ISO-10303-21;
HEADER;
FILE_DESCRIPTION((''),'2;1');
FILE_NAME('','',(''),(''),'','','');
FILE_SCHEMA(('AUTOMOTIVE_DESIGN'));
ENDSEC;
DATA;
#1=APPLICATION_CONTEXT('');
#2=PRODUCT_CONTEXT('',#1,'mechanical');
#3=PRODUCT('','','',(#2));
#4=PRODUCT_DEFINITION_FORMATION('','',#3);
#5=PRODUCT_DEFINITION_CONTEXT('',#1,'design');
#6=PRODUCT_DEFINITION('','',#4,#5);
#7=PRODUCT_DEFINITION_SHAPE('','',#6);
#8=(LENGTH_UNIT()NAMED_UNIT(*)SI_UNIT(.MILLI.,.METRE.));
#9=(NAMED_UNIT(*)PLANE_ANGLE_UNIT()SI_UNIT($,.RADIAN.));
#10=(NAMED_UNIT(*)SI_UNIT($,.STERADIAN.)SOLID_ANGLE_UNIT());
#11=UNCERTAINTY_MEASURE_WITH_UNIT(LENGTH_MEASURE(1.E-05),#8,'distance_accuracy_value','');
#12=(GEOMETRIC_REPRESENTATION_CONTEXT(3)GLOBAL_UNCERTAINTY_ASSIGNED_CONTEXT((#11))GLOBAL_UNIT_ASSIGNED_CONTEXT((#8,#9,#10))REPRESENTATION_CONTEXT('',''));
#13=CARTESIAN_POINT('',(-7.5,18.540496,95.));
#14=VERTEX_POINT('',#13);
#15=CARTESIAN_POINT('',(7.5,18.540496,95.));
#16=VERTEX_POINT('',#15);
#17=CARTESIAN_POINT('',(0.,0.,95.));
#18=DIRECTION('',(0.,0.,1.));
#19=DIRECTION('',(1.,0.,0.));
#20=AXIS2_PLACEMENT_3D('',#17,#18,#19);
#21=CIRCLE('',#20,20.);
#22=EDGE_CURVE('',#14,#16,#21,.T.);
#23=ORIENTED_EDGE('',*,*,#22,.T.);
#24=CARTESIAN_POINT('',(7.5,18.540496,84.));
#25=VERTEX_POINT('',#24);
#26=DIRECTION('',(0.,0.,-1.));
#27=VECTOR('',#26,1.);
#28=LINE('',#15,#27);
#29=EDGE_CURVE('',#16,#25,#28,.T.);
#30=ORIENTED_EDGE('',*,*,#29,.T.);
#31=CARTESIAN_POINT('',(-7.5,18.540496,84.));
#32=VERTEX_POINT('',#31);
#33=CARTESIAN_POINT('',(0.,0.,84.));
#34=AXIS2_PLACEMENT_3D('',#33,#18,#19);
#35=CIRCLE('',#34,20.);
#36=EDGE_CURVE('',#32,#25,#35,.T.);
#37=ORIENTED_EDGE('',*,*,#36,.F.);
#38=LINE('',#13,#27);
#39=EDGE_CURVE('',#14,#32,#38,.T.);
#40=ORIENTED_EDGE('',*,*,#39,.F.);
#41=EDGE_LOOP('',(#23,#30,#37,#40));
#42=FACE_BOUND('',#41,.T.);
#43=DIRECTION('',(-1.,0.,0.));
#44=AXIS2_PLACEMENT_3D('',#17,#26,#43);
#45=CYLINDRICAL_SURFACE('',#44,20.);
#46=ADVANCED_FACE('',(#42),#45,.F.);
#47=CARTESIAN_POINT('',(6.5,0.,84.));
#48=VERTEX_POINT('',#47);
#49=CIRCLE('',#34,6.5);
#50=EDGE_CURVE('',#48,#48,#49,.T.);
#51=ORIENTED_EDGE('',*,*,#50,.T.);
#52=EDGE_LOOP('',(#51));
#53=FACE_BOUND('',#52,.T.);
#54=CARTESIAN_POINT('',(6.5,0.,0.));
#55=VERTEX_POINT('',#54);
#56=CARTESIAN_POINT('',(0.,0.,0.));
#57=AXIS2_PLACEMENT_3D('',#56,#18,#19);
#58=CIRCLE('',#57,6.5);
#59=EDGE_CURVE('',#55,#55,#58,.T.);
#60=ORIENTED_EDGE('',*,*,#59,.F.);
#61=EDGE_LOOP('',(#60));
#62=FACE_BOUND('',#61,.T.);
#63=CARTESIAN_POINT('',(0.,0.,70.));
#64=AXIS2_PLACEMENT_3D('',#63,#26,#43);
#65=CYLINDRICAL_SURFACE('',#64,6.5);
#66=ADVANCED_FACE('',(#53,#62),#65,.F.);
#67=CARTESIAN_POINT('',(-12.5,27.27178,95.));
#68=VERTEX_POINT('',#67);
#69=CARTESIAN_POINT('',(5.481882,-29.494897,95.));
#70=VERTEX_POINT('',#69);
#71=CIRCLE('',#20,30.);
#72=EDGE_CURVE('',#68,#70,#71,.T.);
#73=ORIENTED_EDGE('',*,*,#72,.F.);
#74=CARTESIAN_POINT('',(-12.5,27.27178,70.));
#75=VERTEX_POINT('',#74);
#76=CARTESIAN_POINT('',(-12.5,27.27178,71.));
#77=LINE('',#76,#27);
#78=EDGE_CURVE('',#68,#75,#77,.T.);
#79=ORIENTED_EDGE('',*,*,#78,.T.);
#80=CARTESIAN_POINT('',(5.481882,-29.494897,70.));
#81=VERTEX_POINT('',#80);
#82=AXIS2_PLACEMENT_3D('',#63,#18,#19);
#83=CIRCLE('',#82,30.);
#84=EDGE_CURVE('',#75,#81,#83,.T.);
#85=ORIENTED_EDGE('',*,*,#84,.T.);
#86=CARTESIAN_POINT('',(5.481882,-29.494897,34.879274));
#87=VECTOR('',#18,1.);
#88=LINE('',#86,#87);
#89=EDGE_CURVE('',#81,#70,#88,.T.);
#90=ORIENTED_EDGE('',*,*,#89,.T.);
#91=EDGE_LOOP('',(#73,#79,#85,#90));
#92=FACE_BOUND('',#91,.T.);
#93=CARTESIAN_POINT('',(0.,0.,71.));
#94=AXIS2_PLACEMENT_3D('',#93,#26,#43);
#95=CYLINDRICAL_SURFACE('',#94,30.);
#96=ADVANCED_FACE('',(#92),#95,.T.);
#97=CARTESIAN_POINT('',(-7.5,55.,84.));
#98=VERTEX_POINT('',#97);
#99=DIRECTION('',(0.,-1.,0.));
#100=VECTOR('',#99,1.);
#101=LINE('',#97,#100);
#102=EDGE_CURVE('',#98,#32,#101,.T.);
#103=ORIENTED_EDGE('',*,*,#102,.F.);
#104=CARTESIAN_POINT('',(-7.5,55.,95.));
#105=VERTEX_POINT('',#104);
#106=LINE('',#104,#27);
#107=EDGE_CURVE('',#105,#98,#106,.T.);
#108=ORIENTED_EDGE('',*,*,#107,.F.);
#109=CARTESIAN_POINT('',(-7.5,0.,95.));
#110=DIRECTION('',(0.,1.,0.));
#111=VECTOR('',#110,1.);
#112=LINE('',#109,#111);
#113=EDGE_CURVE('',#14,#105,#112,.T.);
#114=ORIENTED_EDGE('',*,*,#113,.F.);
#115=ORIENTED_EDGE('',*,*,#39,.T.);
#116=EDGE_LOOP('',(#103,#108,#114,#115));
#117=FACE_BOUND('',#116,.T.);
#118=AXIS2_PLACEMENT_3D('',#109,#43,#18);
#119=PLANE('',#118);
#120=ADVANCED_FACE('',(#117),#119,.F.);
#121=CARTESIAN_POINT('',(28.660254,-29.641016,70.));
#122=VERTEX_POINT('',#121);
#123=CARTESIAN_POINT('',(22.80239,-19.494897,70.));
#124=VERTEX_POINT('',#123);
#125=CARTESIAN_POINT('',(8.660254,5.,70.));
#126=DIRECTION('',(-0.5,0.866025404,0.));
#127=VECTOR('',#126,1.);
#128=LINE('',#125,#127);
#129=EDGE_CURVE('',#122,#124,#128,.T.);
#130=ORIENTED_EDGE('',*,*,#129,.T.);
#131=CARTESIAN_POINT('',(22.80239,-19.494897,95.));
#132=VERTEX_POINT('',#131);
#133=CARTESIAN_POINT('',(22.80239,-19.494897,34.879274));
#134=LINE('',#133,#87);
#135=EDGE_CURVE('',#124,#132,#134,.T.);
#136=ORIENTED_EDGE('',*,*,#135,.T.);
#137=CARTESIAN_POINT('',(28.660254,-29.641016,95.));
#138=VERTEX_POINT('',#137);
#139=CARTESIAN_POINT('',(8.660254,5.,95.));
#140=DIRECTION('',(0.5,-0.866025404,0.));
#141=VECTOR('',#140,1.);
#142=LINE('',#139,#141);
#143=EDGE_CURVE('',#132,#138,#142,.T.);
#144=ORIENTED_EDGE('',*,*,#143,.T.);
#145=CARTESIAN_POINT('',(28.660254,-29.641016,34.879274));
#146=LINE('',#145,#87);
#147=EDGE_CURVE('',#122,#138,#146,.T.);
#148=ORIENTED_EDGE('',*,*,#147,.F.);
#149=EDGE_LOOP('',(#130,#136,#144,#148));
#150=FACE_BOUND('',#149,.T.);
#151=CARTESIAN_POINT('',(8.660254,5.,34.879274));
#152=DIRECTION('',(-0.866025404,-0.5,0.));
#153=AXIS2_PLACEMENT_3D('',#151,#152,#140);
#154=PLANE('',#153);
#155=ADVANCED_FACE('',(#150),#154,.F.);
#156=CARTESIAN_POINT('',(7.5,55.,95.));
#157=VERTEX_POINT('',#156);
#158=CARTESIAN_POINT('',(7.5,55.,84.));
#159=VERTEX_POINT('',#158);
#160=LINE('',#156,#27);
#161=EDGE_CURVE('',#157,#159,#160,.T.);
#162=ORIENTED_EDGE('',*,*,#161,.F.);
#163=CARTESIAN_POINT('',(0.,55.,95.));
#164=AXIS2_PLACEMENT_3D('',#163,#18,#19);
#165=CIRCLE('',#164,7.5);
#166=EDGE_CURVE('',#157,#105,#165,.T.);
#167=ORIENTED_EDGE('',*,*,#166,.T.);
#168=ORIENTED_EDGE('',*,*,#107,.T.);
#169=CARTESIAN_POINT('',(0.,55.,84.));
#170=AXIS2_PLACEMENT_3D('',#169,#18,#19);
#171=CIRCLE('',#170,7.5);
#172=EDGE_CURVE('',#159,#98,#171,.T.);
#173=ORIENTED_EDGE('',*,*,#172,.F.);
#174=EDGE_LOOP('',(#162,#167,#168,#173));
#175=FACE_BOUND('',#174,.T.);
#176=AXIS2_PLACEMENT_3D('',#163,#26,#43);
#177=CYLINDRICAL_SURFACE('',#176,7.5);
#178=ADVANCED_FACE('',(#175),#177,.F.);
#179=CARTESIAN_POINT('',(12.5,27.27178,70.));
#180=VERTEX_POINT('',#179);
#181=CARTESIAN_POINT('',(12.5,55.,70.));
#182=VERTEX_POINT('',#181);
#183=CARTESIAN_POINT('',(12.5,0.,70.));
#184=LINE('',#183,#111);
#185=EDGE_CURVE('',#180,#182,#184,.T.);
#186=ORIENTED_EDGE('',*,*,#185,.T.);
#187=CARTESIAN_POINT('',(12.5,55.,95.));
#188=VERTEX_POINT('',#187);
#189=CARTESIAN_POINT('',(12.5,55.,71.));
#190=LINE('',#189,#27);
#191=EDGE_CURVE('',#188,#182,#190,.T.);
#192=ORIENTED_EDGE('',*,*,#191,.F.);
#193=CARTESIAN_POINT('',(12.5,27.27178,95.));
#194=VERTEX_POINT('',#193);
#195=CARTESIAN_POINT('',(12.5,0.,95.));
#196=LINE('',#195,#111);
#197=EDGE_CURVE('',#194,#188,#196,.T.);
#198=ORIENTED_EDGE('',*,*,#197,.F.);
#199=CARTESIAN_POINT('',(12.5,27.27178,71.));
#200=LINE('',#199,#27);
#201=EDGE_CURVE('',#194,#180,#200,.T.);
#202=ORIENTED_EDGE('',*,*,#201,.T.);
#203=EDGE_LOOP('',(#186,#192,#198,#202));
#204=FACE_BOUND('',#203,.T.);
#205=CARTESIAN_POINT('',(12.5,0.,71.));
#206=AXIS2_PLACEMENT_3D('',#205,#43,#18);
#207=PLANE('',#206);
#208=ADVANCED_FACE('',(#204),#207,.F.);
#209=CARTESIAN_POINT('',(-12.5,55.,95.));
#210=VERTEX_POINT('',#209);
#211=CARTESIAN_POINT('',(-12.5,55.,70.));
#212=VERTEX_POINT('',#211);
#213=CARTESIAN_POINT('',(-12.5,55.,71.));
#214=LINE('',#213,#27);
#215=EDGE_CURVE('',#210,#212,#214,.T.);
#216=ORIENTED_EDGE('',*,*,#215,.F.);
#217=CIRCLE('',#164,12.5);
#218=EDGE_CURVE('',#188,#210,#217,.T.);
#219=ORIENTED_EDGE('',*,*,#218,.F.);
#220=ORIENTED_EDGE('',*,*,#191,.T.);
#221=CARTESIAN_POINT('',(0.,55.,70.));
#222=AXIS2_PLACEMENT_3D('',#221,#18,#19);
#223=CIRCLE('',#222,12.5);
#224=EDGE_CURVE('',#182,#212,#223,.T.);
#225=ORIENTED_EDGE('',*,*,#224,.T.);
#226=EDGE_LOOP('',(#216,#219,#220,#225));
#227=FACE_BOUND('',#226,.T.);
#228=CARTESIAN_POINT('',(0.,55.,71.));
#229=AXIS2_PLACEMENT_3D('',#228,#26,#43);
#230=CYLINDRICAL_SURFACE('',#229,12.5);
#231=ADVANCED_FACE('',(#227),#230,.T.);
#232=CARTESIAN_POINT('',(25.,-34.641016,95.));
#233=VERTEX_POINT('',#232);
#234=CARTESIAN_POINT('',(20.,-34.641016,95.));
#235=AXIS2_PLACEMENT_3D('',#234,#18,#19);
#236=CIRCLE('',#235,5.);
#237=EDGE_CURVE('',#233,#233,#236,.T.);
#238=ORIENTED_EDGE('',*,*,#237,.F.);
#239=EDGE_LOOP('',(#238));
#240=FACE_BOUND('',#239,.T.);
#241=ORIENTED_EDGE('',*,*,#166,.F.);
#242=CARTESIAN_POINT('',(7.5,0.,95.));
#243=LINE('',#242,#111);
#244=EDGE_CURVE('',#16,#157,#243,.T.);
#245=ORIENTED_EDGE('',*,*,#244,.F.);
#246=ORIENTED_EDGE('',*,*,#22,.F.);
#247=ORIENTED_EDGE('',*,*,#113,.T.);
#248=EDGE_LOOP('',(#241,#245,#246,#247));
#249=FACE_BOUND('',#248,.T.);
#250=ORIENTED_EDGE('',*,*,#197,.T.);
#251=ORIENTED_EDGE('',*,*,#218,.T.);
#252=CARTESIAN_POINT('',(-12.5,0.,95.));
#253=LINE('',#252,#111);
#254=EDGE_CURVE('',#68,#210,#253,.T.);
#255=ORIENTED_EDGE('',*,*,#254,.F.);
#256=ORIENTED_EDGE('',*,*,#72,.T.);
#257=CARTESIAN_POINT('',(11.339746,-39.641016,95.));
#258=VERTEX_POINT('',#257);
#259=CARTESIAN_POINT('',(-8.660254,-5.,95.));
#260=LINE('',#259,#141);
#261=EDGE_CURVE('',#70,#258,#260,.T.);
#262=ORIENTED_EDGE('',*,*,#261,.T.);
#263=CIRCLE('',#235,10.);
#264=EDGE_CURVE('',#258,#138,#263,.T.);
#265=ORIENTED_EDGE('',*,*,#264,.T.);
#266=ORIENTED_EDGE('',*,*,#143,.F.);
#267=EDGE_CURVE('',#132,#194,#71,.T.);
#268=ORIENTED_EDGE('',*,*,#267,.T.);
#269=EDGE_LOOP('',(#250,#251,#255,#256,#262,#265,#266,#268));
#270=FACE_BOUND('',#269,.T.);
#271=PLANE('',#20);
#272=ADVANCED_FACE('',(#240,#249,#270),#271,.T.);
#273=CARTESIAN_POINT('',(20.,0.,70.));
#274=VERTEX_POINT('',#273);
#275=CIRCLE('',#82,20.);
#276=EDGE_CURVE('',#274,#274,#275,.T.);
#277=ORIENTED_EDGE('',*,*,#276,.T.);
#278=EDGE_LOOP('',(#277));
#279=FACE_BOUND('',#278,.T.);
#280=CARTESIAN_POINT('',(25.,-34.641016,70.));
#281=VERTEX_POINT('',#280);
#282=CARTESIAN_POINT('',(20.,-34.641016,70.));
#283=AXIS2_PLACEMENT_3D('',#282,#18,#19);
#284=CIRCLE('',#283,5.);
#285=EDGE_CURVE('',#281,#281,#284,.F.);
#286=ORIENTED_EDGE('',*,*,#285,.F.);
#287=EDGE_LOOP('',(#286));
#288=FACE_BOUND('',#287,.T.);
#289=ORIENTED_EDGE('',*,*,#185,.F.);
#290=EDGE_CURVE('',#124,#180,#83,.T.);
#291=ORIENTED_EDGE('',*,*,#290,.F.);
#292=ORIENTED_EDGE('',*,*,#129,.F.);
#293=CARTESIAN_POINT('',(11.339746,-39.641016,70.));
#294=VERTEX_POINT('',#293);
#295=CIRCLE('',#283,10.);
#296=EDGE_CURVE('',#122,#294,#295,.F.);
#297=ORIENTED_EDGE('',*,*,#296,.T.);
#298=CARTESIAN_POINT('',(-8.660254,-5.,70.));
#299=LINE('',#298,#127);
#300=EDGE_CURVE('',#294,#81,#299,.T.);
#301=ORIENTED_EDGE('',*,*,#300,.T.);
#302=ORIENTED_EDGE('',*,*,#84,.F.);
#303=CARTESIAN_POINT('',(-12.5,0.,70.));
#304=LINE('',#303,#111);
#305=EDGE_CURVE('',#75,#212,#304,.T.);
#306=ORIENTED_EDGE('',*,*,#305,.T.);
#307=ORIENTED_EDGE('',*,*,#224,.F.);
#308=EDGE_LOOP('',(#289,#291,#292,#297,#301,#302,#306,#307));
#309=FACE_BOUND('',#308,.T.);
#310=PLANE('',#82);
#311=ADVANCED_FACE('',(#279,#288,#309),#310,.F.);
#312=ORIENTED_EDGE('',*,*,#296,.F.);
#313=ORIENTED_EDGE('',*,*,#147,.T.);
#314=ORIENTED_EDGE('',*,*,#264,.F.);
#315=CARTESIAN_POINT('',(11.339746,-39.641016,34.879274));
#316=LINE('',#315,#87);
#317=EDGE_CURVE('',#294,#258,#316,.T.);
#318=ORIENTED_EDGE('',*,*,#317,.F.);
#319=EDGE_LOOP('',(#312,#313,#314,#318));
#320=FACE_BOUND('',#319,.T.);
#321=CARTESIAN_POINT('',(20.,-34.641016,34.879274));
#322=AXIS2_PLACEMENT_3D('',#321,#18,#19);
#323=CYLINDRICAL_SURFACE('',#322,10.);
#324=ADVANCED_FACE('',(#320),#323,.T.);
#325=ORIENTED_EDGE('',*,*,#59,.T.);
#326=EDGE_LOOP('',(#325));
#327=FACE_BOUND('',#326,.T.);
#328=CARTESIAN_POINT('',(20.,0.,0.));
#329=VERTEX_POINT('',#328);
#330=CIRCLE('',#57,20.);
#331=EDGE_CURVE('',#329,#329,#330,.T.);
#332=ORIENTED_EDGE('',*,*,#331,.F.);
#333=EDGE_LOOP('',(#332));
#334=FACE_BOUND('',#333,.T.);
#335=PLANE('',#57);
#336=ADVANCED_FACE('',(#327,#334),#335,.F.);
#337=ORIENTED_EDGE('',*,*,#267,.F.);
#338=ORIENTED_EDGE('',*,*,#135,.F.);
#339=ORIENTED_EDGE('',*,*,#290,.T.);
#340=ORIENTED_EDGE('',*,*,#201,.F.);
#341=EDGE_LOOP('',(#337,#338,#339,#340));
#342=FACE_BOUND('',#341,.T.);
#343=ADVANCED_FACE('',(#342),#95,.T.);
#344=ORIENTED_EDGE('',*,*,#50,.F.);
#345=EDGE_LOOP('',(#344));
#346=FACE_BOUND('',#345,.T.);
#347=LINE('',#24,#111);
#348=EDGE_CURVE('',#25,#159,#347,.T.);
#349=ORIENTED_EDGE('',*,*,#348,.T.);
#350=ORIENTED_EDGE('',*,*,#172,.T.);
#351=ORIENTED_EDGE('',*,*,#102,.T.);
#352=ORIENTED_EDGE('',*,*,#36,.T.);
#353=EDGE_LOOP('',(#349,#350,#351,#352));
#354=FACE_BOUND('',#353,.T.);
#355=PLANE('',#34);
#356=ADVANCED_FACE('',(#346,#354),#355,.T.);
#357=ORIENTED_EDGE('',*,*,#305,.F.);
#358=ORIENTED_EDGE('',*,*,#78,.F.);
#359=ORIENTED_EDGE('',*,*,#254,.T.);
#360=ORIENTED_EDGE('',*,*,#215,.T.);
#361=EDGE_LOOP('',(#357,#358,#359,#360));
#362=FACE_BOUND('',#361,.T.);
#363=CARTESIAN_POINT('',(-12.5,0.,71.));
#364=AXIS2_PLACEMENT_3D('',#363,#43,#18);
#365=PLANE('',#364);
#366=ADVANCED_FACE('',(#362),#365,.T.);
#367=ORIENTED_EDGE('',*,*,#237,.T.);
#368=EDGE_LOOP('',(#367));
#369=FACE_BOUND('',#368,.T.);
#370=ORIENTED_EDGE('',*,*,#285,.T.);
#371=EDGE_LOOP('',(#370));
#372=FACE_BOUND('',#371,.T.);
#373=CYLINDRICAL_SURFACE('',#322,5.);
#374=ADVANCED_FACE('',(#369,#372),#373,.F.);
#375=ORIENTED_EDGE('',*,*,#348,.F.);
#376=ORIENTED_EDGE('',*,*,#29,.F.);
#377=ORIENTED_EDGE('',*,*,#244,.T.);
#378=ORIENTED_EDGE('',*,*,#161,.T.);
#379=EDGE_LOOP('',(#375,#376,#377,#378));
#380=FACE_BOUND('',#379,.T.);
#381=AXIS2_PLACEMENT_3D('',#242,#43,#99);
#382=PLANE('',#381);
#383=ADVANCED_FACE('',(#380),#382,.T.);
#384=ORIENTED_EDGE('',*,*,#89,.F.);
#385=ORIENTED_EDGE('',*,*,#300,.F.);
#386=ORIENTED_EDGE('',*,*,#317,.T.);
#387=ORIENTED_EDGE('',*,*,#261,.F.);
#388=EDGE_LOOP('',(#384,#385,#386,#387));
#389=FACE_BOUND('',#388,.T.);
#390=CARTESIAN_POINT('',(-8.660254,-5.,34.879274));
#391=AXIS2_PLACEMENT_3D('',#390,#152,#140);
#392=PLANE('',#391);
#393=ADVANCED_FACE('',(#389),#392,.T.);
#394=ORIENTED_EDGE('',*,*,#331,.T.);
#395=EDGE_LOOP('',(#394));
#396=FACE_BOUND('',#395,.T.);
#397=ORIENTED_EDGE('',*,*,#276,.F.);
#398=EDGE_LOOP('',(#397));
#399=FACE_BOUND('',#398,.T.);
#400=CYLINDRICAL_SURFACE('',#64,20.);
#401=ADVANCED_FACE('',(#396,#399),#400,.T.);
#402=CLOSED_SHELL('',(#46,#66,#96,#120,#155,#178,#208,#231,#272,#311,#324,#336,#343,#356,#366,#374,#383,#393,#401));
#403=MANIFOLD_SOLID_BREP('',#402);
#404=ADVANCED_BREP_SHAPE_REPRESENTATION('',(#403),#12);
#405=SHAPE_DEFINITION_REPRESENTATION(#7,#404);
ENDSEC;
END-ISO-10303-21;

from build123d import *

# Parameters (mm, degrees)
SKETCH_1_R      = 20
SKETCH_1_R_2    = 6.5
EXTRUDE_1_DEPTH = 70
EXTRUDE_2_DEPTH = 25
SKETCH_2_4_R    = 6.5
EXTRUDE_4_DEPTH = 1
EXTRUDE_START   = -25
SKETCH_3_R      = 5
EXTRUDE_5_DEPTH = 25
SKETCH_4_R      = 6.5
EXTRUDE_6_DEPTH = 13


with BuildPart() as part:
    # Эскиз1 → Бобышка-Вытянуть1 (new body)
    with BuildSketch(Plane.XY):
        Circle(SKETCH_1_R)
        Circle(SKETCH_1_R_2, mode=Mode.SUBTRACT)
    extrude(amount=EXTRUDE_1_DEPTH)



with BuildPart() as body_2:
    # Эскиз2 → Бобышка-Вытянуть2 (new body)
    with BuildSketch(Plane.XY.offset(70)):
        with BuildLine():
            ThreePointArc((20, 0), (-8.660254038, -18.027756377), (-12.5, 15.612494996))
            Line((-12.5, 15.612494996), (-12.5, 27.271780287))
            ThreePointArc((-12.5, 27.271780287), (-16.201851746, -25.248762346), (30, 0))
            ThreePointArc((30, 0), (25.248762346, 16.201851746), (12.5, 27.271780287))
            Line((12.5, 27.271780287), (12.5, 15.612494996))
            ThreePointArc((12.5, 15.612494996), (18.027756377, 8.660254038), (20, 0))
        make_face()
        with BuildLine():
            Line((-12.5, 27.271780287), (-12.5, 15.612494996))
            ThreePointArc((-12.5, 15.612494996), (-10.106596746, 17.258525494), (-7.5, 18.540496218))
            Line((-7.5, 18.540496218), (-7.5, 29.047375097))
            ThreePointArc((-7.5, 29.047375097), (-10.039331862, 28.270334554), (-12.5, 27.271780287))
        make_face()
        with BuildLine():
            ThreePointArc((7.5, 18.540496218), (10.106596746, 17.258525494), (12.5, 15.612494996))
            Line((12.5, 15.612494996), (12.5, 27.271780287))
            ThreePointArc((12.5, 27.271780287), (10.039331862, 28.270334554), (7.5, 29.047375097))
            Line((7.5, 29.047375097), (7.5, 18.540496218))
        make_face()
        with BuildLine():
            Line((-12.5, 55), (-12.5, 27.271780287))
            ThreePointArc((-12.5, 27.271780287), (-10.039331862, 28.270334554), (-7.5, 29.047375097))
            Line((-7.5, 29.047375097), (-7.5, 55))
            ThreePointArc((-7.5, 55), (0, 62.5), (7.5, 55))
            Line((7.5, 55), (7.5, 29.047375097))
            ThreePointArc((7.5, 29.047375097), (10.039331862, 28.270334554), (12.5, 27.271780287))
            Line((12.5, 27.271780287), (12.5, 55))
            ThreePointArc((12.5, 55), (0, 67.5), (-12.5, 55))
        make_face()
    extrude(amount=EXTRUDE_2_DEPTH)


with BuildPart() as part_1:
    add(part.part)

    add(body_2.part)  # Бобышка-Вытянуть4 merges body 2
    # Эскиз2<4> → Бобышка-Вытянуть4 (add)
    with BuildSketch(Plane.XY.offset(70)):
        with BuildLine():
            Line((7.5, 18.540496218), (7.5, 55))
            ThreePointArc((7.5, 55), (0, 62.5), (-7.5, 55))
            Line((-7.5, 55), (-7.5, 18.540496218))
            ThreePointArc((-7.5, 18.540496218), (0, -20), (7.5, 18.540496218))
        make_face()
        Circle(SKETCH_2_4_R, mode=Mode.SUBTRACT)
    extrude(amount=EXTRUDE_4_DEPTH)

    # Эскиз3 → Бобышка-Вытянуть5 (add)
    with BuildSketch(Plane.XY.offset(95).offset(EXTRUDE_START)):
        with BuildLine():
            Line((28.660254038, -29.641016151), (22.802389662, -19.494897428))
            ThreePointArc((22.802389662, -19.494897428), (15, -25.980762114), (5.481881586, -29.494897428))
            Line((5.481881586, -29.494897428), (11.339745962, -39.641016151))
            ThreePointArc((11.339745962, -39.641016151), (25, -43.301270189), (28.660254038, -29.641016151))
        make_face()
        with Locations((20, -34.641016151)):
            Circle(SKETCH_3_R, mode=Mode.SUBTRACT)
    extrude(amount=EXTRUDE_5_DEPTH)

    # Эскиз4 → Бобышка-Вытянуть6 (add)
    with BuildSketch(Plane.XY.offset(71)):
        with BuildLine():
            Line((7.5, 18.540496218), (7.5, 55))
            ThreePointArc((7.5, 55), (0, 62.5), (-7.5, 55))
            Line((-7.5, 55), (-7.5, 18.540496218))
            ThreePointArc((-7.5, 18.540496218), (0, -20), (7.5, 18.540496218))
        make_face()
        Circle(SKETCH_4_R, mode=Mode.SUBTRACT)
    extrude(amount=EXTRUDE_6_DEPTH)


solid = part_1.part
